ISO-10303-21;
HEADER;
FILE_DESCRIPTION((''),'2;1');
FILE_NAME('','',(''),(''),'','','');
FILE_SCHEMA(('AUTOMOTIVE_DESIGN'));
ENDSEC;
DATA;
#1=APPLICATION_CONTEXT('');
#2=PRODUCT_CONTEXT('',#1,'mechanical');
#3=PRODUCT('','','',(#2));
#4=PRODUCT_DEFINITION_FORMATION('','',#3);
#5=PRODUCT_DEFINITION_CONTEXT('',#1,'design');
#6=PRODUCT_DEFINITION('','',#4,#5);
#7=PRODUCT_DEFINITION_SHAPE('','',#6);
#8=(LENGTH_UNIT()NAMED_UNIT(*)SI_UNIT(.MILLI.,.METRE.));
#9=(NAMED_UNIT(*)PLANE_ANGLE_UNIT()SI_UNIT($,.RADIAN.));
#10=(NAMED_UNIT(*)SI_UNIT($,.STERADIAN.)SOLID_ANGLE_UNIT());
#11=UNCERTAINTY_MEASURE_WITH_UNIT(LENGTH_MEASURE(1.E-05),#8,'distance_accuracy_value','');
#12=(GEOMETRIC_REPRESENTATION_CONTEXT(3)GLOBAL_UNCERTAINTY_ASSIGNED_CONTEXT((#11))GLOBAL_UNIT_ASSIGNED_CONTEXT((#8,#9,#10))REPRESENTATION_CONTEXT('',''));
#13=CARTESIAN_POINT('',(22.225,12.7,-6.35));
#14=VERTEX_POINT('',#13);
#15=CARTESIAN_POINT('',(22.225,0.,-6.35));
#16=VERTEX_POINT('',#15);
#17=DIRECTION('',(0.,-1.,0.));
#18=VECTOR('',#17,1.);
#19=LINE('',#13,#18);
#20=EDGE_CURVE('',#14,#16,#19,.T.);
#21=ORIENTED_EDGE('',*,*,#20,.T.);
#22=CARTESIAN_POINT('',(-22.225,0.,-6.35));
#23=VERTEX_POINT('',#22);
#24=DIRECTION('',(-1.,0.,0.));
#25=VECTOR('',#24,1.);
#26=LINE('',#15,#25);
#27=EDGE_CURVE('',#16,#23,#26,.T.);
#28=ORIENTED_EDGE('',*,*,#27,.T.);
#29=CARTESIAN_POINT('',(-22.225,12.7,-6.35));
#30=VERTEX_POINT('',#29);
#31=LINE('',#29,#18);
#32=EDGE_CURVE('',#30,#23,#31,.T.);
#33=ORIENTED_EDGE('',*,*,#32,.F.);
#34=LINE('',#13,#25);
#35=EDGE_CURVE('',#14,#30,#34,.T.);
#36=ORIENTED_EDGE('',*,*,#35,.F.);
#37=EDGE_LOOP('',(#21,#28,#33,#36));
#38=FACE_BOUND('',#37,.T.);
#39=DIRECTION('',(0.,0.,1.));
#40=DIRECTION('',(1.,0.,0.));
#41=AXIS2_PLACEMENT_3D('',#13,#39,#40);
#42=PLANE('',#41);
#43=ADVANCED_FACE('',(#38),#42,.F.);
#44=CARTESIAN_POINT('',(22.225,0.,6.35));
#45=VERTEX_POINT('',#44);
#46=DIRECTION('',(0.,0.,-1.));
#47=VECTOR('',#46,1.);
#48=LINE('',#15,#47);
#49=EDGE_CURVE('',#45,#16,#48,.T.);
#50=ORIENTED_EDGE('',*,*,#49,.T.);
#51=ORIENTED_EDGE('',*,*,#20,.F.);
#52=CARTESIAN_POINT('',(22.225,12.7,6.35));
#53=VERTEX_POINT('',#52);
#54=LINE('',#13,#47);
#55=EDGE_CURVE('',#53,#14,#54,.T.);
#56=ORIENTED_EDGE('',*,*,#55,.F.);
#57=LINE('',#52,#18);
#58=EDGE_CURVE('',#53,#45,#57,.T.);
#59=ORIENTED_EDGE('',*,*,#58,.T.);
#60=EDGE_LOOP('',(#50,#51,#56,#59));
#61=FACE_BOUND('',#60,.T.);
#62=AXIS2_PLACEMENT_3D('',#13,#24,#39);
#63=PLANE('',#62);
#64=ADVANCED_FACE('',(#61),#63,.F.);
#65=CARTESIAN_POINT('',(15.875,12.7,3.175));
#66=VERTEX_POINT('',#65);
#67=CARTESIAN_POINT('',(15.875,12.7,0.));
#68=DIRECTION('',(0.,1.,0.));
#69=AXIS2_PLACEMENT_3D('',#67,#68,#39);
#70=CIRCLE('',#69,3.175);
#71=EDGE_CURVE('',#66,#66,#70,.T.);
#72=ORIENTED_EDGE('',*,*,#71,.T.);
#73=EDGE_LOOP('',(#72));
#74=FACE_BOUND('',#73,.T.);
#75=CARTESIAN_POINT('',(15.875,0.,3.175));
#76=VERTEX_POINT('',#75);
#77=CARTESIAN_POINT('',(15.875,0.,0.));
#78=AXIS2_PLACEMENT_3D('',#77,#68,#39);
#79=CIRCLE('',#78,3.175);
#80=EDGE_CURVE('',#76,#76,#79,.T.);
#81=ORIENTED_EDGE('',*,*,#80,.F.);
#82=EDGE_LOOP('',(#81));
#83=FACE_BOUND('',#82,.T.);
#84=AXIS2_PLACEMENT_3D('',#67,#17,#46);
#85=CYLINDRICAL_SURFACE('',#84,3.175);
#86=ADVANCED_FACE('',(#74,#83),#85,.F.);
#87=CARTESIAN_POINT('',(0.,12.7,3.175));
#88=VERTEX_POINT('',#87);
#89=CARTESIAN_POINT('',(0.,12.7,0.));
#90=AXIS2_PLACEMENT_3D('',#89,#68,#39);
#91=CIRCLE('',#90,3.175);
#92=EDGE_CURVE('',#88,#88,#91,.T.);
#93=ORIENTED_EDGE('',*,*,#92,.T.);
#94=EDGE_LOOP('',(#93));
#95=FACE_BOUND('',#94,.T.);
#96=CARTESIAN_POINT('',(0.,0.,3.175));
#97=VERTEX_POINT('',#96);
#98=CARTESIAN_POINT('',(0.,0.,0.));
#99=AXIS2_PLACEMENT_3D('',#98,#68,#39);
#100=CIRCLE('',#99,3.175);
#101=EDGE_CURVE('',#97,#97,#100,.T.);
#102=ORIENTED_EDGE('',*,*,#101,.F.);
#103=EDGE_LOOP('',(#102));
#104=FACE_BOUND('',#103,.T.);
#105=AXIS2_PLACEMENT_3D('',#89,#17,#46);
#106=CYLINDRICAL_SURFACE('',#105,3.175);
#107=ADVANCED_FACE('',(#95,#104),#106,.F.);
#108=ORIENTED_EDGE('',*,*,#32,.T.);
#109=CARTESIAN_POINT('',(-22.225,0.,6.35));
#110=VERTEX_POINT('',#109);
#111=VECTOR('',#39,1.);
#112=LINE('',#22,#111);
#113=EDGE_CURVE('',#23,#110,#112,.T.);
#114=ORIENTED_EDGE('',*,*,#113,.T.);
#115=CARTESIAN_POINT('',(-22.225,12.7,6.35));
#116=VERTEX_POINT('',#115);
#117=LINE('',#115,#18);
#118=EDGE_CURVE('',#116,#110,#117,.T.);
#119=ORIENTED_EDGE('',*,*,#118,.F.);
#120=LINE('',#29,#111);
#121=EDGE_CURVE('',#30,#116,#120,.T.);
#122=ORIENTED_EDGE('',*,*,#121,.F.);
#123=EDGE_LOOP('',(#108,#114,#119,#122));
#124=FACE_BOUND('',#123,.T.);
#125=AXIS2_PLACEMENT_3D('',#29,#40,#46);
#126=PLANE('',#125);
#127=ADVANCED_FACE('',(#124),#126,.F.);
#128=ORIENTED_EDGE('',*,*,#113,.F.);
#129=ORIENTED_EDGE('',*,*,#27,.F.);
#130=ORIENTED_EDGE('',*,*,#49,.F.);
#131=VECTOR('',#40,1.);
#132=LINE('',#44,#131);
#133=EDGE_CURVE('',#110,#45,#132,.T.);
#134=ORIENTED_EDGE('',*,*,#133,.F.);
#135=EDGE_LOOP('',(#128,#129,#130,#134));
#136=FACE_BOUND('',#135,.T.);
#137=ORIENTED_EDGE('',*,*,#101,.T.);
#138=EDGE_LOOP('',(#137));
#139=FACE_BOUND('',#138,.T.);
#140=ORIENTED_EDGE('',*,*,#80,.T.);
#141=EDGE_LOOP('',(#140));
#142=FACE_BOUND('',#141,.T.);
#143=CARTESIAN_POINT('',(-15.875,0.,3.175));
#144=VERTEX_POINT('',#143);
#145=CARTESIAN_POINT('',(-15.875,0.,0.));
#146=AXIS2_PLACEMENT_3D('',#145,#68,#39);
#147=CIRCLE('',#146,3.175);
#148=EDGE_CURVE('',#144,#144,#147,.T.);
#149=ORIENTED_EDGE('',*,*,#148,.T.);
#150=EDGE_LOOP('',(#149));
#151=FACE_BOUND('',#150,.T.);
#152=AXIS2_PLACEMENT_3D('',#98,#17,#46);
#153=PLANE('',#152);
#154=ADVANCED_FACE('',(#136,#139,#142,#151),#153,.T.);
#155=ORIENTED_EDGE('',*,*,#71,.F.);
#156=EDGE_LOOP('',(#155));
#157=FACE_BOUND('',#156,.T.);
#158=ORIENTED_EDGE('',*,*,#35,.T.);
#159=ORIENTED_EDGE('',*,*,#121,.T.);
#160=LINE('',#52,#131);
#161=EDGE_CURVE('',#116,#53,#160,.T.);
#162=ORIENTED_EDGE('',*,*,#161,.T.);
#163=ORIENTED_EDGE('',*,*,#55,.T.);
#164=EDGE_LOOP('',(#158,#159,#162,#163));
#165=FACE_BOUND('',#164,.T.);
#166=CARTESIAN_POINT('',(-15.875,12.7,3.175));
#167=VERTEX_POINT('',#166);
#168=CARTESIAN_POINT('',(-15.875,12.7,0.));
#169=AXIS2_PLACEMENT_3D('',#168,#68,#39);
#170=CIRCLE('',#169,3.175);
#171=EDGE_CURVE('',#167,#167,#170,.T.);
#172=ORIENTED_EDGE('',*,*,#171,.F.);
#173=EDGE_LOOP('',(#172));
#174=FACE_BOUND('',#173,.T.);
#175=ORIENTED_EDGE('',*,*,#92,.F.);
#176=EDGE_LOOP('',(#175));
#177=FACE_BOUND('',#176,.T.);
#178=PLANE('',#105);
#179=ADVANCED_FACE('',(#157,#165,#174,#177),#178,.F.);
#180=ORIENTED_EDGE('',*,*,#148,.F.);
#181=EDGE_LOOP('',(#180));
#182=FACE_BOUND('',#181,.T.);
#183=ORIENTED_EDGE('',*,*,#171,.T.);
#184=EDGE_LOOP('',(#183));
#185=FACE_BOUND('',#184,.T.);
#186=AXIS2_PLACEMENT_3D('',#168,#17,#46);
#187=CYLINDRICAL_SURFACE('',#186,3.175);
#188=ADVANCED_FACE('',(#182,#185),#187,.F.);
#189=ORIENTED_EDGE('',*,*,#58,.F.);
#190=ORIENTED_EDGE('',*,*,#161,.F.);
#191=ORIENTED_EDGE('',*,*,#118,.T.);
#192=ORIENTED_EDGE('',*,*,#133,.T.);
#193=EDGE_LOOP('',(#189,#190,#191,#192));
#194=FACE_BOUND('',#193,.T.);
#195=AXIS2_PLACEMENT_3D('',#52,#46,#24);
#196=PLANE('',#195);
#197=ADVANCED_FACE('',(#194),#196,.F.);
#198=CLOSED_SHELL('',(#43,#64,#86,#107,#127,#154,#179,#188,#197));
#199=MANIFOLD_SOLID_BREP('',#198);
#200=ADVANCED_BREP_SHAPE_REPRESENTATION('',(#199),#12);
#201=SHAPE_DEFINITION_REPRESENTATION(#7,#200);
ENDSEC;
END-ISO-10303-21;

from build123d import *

# Parameters (mm, degrees)
SKETCH1_W           = 44.45
SKETCH1_H           = 12.7
SKETCH1_R           = 3.175
BOSS_EXTRUDE1_DEPTH = 12.7


with BuildPart() as part:
    # Sketch1 → Boss-Extrude1 (new body)
    with BuildSketch(Plane(origin=(0, 0, 0), x_dir=(1, 0, 0), z_dir=(0, 1, 0))):
        Rectangle(SKETCH1_W, SKETCH1_H)
        with Locations(Location((-15.875, 0, 0), (0, 0, 270))):
            Circle(SKETCH1_R, mode=Mode.SUBTRACT)
        with Locations(Location((15.875, 0, 0), (0, 0, 270))):
            Circle(SKETCH1_R, mode=Mode.SUBTRACT)
        with Locations(Location((0, 0, 0), (0, 0, 270))):
            Circle(SKETCH1_R, mode=Mode.SUBTRACT)
    extrude(amount=BOSS_EXTRUDE1_DEPTH)


solid = part.part
